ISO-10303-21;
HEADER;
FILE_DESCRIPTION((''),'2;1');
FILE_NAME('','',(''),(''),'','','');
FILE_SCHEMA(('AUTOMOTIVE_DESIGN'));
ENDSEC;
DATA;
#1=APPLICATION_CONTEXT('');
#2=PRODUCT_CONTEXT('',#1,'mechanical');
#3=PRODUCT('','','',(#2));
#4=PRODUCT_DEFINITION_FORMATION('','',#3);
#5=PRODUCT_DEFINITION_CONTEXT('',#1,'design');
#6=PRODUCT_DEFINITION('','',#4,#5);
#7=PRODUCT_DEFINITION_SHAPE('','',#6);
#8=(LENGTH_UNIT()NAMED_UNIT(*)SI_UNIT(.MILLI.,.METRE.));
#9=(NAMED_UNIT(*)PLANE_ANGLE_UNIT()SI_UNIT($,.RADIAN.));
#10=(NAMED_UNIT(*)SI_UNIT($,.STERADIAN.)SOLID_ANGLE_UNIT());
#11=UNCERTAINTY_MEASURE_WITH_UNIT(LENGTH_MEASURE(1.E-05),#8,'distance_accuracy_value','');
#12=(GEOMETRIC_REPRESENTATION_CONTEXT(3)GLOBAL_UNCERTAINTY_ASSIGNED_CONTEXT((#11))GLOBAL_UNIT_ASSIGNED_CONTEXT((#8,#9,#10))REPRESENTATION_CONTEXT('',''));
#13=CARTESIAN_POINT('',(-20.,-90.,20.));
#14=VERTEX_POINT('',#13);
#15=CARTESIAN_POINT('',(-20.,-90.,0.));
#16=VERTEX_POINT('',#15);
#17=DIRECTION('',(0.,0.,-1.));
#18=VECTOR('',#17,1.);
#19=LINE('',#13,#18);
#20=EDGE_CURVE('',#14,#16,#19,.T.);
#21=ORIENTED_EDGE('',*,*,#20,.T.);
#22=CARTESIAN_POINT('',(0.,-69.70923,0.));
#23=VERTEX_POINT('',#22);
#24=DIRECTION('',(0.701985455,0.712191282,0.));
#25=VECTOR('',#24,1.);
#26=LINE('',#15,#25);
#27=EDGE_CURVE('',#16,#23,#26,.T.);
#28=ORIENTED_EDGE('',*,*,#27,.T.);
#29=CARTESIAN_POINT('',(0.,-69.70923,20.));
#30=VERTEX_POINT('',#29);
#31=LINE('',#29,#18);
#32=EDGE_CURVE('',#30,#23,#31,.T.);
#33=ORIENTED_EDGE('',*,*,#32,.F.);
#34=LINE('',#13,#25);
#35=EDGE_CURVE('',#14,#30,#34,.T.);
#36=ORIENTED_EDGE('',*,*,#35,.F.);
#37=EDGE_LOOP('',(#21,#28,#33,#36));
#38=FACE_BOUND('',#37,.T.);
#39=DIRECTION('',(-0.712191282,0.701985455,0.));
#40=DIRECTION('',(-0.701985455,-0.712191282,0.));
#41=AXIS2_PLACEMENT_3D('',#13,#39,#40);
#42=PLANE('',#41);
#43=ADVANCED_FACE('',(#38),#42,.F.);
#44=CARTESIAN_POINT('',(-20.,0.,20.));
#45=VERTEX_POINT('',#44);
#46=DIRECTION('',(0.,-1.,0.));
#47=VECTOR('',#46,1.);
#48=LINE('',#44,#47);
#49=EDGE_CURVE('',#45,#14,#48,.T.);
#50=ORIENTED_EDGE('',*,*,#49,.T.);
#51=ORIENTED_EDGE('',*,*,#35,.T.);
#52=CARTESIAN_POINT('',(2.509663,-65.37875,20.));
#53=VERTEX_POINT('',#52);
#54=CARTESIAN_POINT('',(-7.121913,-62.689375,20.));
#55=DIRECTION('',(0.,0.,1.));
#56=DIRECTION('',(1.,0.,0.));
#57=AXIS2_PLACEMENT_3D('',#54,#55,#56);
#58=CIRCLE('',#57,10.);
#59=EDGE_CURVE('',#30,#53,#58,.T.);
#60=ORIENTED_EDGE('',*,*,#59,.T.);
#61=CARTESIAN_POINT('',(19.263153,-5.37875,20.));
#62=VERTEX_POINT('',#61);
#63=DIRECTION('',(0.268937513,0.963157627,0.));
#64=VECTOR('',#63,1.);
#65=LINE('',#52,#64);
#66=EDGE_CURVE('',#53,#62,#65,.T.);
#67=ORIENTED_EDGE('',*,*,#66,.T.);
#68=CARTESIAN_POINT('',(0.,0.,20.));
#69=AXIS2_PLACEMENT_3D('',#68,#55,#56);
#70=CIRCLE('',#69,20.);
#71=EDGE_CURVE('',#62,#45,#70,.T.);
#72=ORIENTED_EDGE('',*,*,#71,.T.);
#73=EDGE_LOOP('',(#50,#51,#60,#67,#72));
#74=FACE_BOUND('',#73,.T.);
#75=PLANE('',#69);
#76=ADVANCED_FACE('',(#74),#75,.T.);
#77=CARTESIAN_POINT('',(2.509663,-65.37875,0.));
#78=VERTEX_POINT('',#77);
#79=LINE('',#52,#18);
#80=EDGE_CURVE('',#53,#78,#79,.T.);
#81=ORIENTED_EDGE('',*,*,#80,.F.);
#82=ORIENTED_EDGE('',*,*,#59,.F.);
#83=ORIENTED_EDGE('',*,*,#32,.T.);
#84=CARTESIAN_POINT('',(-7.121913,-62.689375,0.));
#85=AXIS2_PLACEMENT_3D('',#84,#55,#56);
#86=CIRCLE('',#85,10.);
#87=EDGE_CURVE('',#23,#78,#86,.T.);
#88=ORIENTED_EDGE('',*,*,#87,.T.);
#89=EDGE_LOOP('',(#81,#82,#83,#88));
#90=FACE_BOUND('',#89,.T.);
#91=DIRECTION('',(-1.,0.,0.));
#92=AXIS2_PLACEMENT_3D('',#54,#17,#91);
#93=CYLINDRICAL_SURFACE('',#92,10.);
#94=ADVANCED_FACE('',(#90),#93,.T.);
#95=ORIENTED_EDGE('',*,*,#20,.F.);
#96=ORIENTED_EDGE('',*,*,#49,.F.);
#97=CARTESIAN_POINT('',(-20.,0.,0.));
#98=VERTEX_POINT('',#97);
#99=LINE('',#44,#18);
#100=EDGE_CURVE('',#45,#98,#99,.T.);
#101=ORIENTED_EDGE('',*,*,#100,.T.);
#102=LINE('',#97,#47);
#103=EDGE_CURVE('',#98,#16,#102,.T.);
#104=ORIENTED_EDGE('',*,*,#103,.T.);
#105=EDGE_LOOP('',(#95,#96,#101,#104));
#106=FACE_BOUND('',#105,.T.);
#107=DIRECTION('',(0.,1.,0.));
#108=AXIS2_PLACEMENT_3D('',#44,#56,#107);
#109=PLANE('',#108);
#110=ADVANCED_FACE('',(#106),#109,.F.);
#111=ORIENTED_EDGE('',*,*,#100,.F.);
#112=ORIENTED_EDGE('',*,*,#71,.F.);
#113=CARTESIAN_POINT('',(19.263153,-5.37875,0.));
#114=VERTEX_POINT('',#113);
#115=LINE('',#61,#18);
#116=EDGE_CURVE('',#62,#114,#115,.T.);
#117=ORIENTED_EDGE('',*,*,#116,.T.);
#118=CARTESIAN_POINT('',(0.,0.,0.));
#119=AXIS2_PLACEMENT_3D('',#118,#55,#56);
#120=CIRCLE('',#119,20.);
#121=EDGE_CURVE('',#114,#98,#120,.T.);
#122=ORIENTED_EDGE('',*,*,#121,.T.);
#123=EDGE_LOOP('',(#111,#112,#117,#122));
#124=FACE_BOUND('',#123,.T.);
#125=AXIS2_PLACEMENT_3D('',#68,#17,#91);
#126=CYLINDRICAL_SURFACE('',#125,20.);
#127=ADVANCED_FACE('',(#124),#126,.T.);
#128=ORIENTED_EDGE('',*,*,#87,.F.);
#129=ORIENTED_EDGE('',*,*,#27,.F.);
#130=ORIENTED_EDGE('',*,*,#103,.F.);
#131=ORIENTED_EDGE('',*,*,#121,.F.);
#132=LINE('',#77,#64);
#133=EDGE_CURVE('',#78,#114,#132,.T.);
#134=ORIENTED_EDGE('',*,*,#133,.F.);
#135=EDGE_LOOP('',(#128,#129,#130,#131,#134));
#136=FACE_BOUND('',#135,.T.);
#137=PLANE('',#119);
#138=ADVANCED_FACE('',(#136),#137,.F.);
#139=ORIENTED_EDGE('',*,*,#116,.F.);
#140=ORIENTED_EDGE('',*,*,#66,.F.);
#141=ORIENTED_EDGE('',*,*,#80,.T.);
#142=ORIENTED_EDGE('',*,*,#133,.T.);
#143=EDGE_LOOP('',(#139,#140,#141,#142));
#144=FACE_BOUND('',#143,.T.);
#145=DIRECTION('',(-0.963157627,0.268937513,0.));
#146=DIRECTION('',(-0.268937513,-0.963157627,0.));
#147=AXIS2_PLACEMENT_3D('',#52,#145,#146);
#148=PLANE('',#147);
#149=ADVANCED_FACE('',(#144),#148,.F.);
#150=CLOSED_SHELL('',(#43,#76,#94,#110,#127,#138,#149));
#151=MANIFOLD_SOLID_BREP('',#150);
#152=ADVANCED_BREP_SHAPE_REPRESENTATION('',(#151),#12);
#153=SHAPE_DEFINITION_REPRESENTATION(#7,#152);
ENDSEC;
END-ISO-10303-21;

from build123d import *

# Parameters (mm, degrees)
BOSS_EXTRUDE1_DEPTH = 20


with BuildPart() as part:
    # Sketch1 → Boss-Extrude1 (new body)
    with BuildSketch(Plane.XY):
        with BuildLine():
            Line((-20, 0), (-20, -90))
            Line((-20, -90), (0, -69.709229677))
            ThreePointArc((0, -69.709229677), (1.530145443, -67.703543845), (2.509663453, -65.378750262))
            Line((2.509663453, -65.378750262), (19.263152536, -5.378750262))
            ThreePointArc((19.263152536, -5.378750262), (2.714493441, 19.814931879), (-20, 0))
        make_face()
    extrude(amount=BOSS_EXTRUDE1_DEPTH)


solid = part.part
